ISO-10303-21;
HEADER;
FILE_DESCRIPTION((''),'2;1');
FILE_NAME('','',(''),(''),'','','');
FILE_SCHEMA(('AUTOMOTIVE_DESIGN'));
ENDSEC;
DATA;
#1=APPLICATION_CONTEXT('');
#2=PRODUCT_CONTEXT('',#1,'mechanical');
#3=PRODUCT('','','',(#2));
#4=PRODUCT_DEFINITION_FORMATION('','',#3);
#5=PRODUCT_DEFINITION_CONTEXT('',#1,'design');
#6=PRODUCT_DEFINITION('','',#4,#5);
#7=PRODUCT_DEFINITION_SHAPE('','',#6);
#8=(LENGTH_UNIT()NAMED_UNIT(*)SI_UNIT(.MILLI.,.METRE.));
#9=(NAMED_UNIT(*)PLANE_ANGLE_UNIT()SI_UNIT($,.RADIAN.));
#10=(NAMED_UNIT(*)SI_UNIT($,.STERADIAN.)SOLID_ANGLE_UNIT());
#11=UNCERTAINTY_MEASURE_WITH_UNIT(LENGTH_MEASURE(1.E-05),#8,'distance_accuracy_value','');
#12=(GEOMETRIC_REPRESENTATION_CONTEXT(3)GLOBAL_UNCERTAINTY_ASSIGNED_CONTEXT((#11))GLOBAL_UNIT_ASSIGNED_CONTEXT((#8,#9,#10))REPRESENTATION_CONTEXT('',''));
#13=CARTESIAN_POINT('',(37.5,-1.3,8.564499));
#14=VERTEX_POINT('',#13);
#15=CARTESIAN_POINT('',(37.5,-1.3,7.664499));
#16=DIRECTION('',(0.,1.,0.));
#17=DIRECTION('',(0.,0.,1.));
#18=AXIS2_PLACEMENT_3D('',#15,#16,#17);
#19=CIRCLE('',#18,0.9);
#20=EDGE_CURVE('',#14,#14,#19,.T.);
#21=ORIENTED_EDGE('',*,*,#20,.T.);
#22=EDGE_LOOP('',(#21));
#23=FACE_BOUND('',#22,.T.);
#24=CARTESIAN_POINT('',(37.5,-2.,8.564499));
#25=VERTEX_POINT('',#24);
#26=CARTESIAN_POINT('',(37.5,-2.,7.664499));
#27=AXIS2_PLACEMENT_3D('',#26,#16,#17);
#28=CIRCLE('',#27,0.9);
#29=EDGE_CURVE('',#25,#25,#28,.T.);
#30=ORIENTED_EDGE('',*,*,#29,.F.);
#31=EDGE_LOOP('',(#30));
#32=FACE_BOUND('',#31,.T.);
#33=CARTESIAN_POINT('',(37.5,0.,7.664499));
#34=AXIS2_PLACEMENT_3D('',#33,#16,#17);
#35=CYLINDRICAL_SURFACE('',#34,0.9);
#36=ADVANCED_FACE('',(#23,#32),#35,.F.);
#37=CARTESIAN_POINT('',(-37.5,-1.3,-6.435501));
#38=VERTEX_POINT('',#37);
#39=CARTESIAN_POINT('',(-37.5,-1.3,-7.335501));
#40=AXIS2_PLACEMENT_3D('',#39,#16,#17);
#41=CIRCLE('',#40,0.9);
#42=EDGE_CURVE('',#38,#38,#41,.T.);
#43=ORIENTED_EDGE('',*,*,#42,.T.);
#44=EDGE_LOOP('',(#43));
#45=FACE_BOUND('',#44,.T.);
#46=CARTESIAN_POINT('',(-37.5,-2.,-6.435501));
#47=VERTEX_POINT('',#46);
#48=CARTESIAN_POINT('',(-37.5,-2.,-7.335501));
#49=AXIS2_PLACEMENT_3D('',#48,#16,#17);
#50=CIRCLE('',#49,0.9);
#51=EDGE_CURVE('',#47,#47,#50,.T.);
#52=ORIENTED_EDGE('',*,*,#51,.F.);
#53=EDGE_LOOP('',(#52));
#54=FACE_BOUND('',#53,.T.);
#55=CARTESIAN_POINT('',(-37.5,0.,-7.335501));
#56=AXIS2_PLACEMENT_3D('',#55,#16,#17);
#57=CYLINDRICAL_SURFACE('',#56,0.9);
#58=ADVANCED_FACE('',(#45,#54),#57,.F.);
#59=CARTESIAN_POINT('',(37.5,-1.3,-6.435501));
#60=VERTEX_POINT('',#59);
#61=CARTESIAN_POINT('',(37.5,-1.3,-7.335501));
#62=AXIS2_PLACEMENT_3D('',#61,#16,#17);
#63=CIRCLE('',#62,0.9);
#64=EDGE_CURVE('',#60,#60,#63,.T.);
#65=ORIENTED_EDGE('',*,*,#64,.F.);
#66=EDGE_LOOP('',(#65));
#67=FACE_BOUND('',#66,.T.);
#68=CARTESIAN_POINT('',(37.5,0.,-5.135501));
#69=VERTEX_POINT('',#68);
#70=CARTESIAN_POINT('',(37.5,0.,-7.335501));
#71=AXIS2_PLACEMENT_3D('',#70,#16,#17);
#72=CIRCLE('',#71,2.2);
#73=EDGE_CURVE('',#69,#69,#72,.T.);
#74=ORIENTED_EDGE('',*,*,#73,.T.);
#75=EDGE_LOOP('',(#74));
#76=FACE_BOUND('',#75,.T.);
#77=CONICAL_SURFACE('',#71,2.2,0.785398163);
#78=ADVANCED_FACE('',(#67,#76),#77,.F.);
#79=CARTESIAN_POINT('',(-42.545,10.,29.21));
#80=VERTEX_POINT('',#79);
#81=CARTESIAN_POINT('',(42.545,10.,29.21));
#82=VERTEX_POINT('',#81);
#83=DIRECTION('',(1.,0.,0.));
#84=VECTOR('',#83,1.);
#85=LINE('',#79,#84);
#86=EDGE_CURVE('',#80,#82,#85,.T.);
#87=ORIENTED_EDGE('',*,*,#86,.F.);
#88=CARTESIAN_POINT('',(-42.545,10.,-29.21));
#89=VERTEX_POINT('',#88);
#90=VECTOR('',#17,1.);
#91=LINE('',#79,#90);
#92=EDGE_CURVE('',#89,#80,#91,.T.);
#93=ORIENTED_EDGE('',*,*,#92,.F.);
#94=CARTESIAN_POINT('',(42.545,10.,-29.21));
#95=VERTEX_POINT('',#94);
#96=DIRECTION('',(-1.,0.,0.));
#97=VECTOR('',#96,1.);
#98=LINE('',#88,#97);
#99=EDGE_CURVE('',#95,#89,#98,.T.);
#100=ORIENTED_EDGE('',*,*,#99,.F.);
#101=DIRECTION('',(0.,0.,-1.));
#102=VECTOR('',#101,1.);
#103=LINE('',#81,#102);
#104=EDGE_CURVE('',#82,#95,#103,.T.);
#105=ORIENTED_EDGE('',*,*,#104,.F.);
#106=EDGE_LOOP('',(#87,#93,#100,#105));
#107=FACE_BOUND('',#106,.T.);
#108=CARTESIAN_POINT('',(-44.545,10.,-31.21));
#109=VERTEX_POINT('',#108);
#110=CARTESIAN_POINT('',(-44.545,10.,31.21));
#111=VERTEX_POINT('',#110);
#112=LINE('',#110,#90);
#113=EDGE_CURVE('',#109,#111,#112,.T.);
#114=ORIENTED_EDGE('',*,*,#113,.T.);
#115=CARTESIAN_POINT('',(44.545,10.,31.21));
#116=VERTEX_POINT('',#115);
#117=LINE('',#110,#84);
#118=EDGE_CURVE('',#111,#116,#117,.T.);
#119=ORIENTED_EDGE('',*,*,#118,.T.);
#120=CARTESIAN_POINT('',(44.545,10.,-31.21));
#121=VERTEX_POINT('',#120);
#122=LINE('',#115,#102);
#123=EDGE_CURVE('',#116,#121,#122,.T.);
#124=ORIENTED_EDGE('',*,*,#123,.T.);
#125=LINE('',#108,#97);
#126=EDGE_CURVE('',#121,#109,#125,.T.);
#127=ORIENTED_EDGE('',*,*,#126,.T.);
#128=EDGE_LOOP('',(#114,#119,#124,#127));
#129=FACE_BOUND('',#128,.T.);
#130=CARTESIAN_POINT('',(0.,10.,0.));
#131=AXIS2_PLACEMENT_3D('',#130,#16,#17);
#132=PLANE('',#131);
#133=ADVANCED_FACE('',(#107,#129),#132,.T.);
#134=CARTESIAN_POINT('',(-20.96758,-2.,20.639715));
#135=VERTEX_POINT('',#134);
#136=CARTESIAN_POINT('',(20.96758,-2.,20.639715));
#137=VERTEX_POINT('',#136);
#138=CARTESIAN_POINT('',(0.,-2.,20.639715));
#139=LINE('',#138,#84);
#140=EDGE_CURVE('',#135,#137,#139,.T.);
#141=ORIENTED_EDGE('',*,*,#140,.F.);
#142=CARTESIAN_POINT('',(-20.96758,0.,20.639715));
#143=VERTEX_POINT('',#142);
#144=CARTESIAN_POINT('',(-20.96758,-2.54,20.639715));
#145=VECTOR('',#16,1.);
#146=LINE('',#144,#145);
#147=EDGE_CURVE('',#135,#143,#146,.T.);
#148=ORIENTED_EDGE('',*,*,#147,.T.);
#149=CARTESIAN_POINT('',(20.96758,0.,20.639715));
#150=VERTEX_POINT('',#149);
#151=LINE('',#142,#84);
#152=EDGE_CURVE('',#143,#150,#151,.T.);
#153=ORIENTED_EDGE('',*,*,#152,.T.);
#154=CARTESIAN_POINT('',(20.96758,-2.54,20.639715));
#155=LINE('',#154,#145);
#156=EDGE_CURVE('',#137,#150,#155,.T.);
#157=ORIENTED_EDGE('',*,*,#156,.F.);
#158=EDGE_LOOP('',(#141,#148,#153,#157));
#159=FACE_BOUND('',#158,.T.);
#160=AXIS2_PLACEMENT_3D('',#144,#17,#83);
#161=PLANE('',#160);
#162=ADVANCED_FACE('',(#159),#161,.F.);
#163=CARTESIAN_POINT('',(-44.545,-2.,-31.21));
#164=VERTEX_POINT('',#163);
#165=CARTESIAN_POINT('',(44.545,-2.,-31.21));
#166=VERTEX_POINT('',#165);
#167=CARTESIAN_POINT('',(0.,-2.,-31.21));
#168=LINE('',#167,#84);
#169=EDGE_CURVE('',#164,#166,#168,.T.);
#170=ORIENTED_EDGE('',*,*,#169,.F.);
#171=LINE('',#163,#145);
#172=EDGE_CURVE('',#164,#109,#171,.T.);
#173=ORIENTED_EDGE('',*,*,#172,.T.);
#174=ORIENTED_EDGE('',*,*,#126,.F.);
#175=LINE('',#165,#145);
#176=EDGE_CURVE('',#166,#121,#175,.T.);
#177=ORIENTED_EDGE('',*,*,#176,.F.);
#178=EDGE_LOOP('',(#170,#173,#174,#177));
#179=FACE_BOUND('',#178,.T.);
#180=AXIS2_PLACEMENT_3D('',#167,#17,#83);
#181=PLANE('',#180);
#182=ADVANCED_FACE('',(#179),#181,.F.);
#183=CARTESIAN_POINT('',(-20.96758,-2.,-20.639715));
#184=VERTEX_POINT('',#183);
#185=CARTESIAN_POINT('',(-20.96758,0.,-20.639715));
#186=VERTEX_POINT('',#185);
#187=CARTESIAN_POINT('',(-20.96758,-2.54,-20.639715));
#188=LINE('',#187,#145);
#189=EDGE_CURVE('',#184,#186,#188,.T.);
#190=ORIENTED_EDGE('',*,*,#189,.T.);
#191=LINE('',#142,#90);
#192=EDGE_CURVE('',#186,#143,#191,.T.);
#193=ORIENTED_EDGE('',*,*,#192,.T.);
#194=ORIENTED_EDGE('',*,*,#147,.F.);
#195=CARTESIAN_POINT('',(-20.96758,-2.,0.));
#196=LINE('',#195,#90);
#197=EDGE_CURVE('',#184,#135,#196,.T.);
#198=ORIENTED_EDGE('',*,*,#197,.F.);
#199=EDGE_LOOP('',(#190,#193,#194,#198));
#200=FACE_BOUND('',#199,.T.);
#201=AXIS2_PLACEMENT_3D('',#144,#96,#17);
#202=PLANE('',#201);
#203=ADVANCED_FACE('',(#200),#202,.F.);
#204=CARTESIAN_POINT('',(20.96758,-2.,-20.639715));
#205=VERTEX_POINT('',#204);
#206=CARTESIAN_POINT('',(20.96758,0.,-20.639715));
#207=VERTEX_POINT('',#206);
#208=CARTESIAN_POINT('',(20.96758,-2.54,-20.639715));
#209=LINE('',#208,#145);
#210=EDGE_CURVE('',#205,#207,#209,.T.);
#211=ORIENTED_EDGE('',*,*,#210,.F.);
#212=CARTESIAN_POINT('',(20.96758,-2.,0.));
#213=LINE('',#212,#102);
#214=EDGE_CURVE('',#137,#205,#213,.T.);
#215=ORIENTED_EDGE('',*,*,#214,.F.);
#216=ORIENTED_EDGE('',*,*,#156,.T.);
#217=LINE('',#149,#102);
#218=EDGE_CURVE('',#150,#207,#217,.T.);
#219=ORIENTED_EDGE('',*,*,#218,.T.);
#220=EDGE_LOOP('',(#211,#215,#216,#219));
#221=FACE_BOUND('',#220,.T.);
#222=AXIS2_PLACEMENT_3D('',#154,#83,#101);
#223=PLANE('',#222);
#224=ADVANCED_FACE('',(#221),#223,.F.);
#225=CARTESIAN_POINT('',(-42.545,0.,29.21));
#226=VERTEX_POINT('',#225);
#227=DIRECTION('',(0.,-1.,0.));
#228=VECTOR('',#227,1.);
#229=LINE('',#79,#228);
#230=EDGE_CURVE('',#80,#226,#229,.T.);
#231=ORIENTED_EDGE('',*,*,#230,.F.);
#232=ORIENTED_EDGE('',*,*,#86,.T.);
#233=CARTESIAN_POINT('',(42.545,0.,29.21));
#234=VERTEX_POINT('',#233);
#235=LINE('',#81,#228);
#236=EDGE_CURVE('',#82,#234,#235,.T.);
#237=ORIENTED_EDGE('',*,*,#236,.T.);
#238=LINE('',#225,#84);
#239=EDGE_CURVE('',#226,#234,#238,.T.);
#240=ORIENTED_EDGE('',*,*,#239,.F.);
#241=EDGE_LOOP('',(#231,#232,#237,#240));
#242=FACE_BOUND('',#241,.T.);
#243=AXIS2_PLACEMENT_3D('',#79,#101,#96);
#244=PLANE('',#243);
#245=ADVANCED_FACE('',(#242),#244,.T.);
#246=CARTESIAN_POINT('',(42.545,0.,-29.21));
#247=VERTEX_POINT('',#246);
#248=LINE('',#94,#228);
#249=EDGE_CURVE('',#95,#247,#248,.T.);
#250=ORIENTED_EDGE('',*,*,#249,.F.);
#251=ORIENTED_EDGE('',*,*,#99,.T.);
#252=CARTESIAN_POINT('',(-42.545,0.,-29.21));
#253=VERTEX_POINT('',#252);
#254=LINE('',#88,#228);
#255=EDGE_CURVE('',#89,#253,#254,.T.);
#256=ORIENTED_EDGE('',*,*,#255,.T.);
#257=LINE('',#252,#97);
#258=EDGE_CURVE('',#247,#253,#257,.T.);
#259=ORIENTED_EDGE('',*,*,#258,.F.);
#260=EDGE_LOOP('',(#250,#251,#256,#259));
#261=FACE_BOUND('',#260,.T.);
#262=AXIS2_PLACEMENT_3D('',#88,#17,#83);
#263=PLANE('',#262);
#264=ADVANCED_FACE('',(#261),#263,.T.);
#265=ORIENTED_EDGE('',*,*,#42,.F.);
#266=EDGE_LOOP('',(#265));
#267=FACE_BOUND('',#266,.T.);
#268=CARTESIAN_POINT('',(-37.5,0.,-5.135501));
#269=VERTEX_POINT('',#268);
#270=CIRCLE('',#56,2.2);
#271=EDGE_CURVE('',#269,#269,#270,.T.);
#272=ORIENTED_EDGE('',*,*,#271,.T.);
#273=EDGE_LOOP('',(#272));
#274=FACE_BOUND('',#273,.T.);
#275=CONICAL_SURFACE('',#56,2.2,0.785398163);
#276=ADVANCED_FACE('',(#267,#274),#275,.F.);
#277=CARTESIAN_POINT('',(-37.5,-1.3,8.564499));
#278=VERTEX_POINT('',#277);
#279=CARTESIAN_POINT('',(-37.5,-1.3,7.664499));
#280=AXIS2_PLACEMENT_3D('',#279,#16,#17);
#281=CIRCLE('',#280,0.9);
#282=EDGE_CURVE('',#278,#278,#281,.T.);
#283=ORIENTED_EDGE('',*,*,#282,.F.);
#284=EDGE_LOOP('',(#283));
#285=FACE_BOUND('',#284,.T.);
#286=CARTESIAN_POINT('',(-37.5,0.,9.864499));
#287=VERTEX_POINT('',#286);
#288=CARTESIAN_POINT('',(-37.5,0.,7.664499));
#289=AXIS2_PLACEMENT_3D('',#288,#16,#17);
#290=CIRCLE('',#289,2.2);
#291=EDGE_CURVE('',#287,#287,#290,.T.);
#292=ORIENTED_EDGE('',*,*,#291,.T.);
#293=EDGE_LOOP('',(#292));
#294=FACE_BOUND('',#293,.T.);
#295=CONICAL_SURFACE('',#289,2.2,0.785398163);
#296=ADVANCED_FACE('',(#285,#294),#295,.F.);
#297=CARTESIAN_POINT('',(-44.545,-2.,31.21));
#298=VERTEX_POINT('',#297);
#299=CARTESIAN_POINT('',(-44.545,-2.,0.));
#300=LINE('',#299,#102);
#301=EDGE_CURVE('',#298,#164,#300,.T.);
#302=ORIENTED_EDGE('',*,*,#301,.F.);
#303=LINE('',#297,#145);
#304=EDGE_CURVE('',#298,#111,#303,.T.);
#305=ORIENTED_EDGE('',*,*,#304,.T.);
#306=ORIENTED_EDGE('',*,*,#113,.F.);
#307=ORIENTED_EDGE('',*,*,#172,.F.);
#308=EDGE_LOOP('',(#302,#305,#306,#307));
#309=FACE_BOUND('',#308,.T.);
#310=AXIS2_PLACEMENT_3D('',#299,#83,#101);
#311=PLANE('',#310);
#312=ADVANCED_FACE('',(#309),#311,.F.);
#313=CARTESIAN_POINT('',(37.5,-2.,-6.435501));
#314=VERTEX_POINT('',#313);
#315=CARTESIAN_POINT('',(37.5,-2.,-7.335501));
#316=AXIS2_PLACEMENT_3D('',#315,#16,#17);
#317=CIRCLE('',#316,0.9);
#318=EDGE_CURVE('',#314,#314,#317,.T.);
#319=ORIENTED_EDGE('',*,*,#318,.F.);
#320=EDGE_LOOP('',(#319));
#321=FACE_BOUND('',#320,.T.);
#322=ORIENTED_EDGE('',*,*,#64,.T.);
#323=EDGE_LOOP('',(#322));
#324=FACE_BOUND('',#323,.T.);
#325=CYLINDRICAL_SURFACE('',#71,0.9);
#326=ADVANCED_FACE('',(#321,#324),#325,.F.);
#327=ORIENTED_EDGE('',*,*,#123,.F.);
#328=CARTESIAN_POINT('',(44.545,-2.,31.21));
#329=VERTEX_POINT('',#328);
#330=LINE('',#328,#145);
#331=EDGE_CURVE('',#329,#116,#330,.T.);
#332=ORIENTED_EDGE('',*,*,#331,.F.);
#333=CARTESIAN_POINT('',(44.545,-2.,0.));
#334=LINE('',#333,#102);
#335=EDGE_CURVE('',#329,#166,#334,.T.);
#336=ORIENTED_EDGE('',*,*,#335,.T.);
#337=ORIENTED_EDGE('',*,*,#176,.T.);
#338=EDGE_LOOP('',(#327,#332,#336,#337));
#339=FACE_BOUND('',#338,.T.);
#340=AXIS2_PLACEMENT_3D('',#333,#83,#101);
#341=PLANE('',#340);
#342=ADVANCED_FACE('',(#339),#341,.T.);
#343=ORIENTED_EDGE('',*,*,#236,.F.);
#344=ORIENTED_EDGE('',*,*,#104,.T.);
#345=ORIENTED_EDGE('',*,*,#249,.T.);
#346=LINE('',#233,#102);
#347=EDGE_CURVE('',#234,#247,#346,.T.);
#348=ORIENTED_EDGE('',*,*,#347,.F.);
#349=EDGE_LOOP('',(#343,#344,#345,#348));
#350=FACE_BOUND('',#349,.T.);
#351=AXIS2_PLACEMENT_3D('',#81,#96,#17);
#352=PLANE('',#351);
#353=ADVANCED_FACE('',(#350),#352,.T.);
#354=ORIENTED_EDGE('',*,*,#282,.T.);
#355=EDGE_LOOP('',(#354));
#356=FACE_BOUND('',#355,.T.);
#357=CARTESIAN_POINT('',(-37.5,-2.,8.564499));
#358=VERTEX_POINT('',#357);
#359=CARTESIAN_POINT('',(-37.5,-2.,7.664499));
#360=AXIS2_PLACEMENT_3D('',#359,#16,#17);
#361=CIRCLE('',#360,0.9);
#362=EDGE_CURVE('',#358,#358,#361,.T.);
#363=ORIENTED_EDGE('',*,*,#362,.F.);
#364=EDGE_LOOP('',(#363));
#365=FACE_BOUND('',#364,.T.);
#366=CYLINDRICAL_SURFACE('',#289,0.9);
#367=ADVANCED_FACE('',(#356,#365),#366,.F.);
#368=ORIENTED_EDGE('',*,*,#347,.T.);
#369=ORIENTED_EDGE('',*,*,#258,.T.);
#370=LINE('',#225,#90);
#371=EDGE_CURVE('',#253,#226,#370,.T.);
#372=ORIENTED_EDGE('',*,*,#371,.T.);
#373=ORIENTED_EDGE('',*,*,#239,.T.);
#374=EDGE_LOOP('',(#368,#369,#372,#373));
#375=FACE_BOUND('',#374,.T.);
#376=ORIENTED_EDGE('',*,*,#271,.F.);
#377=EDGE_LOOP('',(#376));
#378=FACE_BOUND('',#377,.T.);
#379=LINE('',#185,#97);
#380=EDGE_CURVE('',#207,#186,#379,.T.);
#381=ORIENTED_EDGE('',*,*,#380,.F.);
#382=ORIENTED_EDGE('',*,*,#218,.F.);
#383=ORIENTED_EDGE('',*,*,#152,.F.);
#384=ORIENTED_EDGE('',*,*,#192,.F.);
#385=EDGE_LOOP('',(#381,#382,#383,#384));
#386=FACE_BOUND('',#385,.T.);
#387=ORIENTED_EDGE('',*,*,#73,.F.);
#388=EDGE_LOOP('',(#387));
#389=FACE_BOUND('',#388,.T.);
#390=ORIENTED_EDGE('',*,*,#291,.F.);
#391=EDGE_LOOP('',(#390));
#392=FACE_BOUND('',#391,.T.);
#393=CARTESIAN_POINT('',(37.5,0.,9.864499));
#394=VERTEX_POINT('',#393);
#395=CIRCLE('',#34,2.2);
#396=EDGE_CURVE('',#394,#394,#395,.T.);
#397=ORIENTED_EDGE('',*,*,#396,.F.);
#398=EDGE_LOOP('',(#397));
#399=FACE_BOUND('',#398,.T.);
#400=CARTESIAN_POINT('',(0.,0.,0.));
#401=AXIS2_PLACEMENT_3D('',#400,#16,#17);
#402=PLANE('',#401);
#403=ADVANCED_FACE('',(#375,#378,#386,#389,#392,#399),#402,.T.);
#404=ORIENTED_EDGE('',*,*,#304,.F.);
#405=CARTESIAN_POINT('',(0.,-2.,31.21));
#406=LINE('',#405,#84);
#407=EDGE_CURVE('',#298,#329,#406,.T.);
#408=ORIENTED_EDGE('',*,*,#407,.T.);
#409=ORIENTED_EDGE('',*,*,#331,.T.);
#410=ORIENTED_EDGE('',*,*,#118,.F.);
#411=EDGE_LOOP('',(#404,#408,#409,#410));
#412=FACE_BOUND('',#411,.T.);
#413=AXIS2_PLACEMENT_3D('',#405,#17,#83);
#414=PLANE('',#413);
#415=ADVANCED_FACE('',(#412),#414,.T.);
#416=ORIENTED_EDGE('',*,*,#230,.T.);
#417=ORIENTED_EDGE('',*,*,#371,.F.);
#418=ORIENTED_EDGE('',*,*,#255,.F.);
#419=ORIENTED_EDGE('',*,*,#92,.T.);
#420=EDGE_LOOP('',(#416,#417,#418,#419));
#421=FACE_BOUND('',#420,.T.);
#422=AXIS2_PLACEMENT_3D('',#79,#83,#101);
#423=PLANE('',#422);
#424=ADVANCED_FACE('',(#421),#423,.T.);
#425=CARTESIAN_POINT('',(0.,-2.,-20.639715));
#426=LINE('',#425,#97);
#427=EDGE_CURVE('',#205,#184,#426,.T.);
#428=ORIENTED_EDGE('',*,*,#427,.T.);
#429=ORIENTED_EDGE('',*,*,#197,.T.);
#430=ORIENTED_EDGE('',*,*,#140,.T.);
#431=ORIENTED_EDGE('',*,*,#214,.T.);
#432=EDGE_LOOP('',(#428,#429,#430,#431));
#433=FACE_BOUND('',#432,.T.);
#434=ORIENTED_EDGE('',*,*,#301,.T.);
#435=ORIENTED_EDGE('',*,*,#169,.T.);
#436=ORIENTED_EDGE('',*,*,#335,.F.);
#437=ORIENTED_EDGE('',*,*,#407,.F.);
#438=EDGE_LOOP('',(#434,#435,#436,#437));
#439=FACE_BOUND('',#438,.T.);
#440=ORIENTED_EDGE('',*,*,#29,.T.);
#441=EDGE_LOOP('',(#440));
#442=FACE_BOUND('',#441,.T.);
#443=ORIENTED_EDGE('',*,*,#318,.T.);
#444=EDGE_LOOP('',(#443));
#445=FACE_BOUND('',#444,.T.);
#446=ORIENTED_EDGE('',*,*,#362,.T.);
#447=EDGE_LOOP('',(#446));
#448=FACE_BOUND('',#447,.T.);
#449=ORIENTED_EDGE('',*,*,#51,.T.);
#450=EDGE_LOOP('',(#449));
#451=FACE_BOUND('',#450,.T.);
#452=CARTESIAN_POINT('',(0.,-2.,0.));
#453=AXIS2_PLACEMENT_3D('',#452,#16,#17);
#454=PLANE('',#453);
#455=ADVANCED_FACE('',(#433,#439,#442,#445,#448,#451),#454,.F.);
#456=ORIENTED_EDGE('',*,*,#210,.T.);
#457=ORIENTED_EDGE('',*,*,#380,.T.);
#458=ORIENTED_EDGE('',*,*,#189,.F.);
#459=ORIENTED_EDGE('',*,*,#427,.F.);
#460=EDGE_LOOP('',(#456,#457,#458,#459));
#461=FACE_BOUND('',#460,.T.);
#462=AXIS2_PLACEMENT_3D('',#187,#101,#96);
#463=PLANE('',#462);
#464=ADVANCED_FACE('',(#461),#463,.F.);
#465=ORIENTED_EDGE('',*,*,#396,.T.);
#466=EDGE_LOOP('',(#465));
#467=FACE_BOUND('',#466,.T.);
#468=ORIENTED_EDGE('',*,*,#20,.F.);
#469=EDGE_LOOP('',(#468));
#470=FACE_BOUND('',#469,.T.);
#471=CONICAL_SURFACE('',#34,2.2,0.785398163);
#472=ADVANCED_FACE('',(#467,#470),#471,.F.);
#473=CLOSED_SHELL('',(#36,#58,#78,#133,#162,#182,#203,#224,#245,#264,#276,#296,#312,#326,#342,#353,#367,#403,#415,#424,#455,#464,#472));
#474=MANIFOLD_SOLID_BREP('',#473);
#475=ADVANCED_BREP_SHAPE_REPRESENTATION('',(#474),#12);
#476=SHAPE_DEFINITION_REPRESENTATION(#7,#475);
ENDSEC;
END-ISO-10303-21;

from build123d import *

# Parameters (mm, degrees)
SKETCH1_W                                       = 89.09
SKETCH1_H                                       = 62.42
BOSS_EXTRUDE1_DEPTH                             = 2
SKETCH1_3_W                                     = 89.09
SKETCH1_3_H                                     = 62.42
SKETCH1_3_W_2                                   = 85.09
SKETCH1_3_H_2                                   = 58.42
BOSS_EXTRUDE2_DEPTH                             = 10
CSK_FOR_M2_FLAT_HEAD_MACHINE_SCREW1_D           = 1.8
CSK_FOR_M2_FLAT_HEAD_MACHINE_SCREW1_DEPTH       = 9.906
CSK_FOR_M2_FLAT_HEAD_MACHINE_SCREW1_CSINK_D     = 4.4
CSK_FOR_M2_FLAT_HEAD_MACHINE_SCREW1_CSINK_ANGLE = 90
CSK_FOR_M2_FLAT_HEAD_MACHINE_SCREW1_TIP         = 0.540774557
SKETCH7_W                                       = 41.935160688
SKETCH7_H                                       = 41.279429724
CUT_EXTRUDE1_DEPTH                              = 2.54


with BuildPart() as part:
    # Sketch1 → Boss-Extrude1 (new body)
    with BuildSketch(Plane(origin=(0, 0, 0), x_dir=(1, 0, 0), z_dir=(0, 1, 0))):
        Rectangle(SKETCH1_W, SKETCH1_H)
    extrude(amount=-BOSS_EXTRUDE1_DEPTH)

    # Sketch1<3> → Boss-Extrude2 (add)
    with BuildSketch(Plane(origin=(0, 0, 0), x_dir=(1, 0, 0), z_dir=(0, 1, 0))):
        Rectangle(SKETCH1_3_W, SKETCH1_3_H)
        Rectangle(SKETCH1_3_W_2, SKETCH1_3_H_2, mode=Mode.SUBTRACT)
    extrude(amount=BOSS_EXTRUDE2_DEPTH)

    # CSK for M2 Flat Head Machine Screw1
    with Locations(Plane(origin=(0, 0, 0), x_dir=(1, 0, 0), z_dir=(0, 1, 0))):
        with Locations((37.5, 7.335501447), (-37.5, 7.335501447), (-37.5, -7.664498553), (37.5, -7.664498553)):
            CounterSinkHole(CSK_FOR_M2_FLAT_HEAD_MACHINE_SCREW1_D / 2, CSK_FOR_M2_FLAT_HEAD_MACHINE_SCREW1_CSINK_D / 2, depth=CSK_FOR_M2_FLAT_HEAD_MACHINE_SCREW1_DEPTH, counter_sink_angle=CSK_FOR_M2_FLAT_HEAD_MACHINE_SCREW1_CSINK_ANGLE)
            with Locations((0, 0, -(CSK_FOR_M2_FLAT_HEAD_MACHINE_SCREW1_DEPTH + CSK_FOR_M2_FLAT_HEAD_MACHINE_SCREW1_TIP / 2))):  # 118° drill point
                Cone(0, CSK_FOR_M2_FLAT_HEAD_MACHINE_SCREW1_D / 2, CSK_FOR_M2_FLAT_HEAD_MACHINE_SCREW1_TIP, mode=Mode.SUBTRACT)

    # Sketch7 → Cut-Extrude1 (cut)
    with BuildSketch(Plane(origin=(0, 0, 0), x_dir=(1, 0, 0), z_dir=(0, 1, 0))):
        Rectangle(SKETCH7_W, SKETCH7_H)
    extrude(amount=-CUT_EXTRUDE1_DEPTH, mode=Mode.SUBTRACT)


solid = part.part
